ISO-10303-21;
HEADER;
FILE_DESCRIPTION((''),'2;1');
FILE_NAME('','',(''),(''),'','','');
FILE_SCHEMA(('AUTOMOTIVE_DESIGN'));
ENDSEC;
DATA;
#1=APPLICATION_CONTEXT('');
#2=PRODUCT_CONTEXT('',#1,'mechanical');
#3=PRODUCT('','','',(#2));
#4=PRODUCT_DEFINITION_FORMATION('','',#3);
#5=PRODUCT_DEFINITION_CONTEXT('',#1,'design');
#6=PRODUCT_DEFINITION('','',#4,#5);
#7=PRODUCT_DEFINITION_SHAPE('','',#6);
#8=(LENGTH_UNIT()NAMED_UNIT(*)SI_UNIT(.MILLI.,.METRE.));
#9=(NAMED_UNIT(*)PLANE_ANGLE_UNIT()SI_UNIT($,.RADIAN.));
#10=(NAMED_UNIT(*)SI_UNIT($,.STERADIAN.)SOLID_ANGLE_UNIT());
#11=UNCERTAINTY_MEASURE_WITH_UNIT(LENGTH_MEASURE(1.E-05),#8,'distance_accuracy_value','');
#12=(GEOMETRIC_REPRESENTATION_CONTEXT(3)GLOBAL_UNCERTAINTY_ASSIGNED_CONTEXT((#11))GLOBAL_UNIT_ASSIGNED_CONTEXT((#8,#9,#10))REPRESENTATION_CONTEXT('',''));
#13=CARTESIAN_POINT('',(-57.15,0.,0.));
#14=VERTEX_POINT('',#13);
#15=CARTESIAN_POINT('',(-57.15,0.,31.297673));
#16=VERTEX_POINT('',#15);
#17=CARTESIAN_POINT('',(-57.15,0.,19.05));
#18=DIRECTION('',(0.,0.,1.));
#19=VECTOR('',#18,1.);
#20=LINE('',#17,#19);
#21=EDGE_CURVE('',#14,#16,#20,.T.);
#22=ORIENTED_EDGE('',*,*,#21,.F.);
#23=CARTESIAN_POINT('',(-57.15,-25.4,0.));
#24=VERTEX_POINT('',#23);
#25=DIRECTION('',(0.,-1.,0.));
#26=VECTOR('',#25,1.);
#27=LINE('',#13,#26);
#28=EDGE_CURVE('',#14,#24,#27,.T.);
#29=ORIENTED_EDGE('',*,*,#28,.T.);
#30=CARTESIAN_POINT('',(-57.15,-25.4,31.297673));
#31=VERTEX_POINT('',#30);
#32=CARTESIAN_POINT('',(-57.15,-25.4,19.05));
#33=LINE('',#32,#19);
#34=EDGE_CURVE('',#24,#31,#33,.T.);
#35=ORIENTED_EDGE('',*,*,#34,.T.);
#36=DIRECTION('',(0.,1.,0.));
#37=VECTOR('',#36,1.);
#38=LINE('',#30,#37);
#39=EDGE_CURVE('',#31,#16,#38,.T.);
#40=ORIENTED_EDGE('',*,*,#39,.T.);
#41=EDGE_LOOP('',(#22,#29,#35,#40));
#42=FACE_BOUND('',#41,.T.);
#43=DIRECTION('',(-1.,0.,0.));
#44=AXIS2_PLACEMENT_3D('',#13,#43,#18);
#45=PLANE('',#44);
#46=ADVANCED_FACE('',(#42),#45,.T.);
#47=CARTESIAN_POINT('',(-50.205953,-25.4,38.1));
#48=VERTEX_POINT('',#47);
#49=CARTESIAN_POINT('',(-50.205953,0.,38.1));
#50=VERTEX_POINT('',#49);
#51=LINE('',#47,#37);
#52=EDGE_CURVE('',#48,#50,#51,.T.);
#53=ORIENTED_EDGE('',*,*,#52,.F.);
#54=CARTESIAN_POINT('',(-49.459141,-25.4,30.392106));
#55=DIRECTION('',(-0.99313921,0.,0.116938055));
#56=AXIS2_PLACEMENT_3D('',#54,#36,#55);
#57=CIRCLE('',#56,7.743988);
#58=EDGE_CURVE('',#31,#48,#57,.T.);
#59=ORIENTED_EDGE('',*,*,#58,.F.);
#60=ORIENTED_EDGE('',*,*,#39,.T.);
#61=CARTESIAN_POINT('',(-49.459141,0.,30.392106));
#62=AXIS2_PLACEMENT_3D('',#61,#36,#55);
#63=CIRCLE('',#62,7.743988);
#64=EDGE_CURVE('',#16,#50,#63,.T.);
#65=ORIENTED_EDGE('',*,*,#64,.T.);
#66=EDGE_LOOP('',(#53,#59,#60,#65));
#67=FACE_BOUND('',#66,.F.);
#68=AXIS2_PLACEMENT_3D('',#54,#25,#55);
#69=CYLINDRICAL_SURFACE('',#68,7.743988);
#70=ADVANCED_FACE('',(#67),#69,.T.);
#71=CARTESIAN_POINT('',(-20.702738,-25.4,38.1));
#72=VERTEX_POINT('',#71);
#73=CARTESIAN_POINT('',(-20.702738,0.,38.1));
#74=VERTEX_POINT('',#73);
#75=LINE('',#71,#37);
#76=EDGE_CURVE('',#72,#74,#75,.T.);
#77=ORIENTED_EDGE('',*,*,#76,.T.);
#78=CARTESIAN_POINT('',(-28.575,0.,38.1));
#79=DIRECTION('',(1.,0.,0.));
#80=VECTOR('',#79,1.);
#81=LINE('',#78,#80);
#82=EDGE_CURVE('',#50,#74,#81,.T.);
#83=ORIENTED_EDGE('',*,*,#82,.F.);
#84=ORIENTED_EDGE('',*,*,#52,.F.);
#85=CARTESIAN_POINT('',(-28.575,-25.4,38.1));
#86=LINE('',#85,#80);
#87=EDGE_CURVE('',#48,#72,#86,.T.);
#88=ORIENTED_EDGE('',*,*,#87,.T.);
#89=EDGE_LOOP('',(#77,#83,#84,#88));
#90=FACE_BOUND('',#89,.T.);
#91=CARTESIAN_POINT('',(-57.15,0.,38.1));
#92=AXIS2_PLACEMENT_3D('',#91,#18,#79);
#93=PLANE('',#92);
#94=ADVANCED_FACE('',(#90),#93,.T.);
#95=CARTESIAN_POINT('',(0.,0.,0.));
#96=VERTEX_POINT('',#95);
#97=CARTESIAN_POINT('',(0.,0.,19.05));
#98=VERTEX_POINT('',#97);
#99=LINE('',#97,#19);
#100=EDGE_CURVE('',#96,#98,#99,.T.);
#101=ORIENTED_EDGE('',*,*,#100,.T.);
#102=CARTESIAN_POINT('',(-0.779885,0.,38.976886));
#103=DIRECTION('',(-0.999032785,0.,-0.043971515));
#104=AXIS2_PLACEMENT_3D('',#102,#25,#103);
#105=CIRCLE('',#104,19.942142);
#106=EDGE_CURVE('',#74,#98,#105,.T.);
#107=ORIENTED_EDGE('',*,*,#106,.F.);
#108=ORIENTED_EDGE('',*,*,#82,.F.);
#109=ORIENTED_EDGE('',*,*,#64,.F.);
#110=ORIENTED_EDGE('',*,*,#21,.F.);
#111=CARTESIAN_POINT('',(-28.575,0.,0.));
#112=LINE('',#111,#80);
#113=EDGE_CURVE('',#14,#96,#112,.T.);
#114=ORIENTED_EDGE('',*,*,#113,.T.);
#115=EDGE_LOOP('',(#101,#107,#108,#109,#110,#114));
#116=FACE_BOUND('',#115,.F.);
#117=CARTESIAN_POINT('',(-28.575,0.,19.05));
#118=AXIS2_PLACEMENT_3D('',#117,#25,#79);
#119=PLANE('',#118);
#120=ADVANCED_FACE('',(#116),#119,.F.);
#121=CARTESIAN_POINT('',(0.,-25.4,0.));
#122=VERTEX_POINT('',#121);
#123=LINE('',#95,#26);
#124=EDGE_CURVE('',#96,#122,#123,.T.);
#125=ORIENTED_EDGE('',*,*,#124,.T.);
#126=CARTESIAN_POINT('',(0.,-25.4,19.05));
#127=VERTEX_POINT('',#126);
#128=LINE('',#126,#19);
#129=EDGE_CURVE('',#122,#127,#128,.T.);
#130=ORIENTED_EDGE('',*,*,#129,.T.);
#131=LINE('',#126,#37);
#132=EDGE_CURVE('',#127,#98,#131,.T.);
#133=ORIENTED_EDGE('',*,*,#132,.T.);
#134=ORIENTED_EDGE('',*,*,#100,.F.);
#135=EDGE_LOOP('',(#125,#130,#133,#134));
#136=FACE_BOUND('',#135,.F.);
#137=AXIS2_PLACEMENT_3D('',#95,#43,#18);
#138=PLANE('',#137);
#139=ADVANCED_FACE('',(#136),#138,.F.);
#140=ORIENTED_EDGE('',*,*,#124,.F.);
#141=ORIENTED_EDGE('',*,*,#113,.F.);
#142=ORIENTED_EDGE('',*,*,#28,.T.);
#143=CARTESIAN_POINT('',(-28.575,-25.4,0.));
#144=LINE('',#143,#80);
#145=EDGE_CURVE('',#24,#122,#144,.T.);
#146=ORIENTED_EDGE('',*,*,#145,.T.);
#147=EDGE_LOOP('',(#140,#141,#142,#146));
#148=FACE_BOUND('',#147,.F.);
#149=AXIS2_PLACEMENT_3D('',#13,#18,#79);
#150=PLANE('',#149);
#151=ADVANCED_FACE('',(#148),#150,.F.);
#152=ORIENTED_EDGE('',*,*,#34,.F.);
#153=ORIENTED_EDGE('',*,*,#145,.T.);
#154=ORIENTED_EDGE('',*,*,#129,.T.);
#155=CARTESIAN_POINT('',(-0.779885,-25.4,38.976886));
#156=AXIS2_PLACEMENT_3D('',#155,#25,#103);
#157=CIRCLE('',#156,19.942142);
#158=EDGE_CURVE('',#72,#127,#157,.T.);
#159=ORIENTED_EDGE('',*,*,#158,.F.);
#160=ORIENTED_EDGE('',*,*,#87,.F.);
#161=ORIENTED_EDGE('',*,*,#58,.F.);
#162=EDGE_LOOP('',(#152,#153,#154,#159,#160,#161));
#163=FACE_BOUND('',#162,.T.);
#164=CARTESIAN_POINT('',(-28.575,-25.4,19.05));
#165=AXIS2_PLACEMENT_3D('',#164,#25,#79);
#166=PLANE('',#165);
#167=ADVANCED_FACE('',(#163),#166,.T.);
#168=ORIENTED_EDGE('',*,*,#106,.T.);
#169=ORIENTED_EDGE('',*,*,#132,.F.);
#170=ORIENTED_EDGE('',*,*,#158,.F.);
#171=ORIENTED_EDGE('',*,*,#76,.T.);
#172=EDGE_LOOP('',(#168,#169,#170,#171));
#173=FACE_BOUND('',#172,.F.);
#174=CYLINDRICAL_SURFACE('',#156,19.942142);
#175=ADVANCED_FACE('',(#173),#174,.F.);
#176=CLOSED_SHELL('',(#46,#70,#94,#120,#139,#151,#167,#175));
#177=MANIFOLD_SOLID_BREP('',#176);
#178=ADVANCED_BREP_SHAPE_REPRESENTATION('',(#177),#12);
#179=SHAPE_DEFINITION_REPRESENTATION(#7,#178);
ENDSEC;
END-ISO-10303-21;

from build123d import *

# Parameters (mm, degrees)
F0_W     = 57.15
F0_H     = 38.1
F1_DEPTH = 25.4
F3_DEPTH = 25.4


with BuildPart() as f1:
    # F0 (on Front) → F1 (new body)
    with BuildSketch(Plane.XZ):
        with Locations((-28.575, 19.05)):
            Rectangle(F0_W, F0_H)
    extrude(amount=F1_DEPTH)

    # F2 (on face) → F3 (cut)
    with BuildSketch(Plane.XZ.offset(25.4)):
        with BuildLine():
            Line((0, 38.1), (-20.702738, 38.1))
            ThreePointArc((-20.702738, 38.1), (-14.283178, 24.302075), (0, 19.05))
            Line((0, 19.05), (0, 38.1))
        make_face()
        with BuildLine():
            ThreePointArc((-57.15, 31.297673), (-54.878227, 35.924092), (-50.205953, 38.1))
            Line((-50.205953, 38.1), (-57.15, 38.1))
            Line((-57.15, 38.1), (-57.15, 31.297673))
        make_face()
    extrude(amount=-F3_DEPTH, mode=Mode.SUBTRACT)


solid = f1.part
